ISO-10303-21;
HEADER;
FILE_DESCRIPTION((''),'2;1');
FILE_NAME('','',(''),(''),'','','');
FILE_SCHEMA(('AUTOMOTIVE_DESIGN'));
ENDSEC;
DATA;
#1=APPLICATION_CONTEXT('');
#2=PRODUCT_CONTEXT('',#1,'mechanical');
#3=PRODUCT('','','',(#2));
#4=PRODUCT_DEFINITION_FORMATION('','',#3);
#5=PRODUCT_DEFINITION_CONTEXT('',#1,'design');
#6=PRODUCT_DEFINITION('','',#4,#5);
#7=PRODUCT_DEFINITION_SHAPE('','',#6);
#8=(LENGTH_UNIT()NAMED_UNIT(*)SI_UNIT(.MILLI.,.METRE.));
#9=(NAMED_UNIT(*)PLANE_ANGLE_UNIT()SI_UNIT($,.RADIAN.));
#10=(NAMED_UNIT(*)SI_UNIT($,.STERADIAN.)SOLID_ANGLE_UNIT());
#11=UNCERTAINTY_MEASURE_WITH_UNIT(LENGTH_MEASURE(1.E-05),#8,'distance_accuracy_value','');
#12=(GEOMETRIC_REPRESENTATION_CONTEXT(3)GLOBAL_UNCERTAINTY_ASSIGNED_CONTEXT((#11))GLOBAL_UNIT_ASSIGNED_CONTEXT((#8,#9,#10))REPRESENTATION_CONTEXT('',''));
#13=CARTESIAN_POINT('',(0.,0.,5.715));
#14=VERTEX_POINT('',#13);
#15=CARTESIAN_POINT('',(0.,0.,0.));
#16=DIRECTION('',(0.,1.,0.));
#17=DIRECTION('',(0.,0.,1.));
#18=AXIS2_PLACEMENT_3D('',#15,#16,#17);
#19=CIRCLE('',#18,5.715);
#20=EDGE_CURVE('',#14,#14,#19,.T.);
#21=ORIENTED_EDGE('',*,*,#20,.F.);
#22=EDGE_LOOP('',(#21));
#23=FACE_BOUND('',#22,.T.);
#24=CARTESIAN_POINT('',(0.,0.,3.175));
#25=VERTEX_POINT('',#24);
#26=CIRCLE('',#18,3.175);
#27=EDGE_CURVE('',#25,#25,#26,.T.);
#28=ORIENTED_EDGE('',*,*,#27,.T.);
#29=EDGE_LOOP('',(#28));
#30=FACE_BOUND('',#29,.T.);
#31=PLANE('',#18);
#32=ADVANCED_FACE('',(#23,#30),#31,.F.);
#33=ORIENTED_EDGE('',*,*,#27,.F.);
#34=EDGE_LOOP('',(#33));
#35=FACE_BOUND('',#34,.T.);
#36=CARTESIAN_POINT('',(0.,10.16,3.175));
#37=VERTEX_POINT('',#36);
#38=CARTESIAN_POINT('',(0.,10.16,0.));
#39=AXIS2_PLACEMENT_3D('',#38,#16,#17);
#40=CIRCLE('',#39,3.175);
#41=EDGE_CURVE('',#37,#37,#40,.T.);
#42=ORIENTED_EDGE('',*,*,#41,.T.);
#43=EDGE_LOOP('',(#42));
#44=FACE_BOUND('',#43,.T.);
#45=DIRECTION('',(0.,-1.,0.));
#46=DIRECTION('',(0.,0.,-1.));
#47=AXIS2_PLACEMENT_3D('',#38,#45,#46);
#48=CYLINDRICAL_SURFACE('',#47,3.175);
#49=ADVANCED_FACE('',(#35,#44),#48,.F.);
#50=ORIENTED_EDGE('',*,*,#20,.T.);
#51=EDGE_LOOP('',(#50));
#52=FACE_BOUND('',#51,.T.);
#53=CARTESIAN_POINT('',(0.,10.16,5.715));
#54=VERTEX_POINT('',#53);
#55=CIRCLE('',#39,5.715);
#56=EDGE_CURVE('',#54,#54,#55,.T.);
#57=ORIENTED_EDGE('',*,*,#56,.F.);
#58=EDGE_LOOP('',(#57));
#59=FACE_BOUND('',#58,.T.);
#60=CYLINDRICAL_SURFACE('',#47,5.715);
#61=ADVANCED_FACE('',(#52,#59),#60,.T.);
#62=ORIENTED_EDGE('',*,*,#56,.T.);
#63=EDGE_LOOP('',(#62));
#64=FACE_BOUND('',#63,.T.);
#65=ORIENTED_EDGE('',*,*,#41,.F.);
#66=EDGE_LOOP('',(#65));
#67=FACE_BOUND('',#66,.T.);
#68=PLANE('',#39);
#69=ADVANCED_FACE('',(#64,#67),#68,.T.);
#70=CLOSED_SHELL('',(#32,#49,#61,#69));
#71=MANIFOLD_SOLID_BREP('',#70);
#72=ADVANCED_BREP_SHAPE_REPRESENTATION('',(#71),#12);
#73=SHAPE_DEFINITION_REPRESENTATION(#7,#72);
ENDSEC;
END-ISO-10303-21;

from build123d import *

# Parameters (mm, degrees)
SKETCH1_R           = 5.715
SKETCH1_R_2         = 3.175
BOSS_EXTRUDE1_DEPTH = 10.16


with BuildPart() as part:
    # Sketch1 → Boss-Extrude1 (new body)
    with BuildSketch(Plane(origin=(0, 0, 0), x_dir=(1, 0, 0), z_dir=(0, 1, 0))):
        Circle(SKETCH1_R)
        Circle(SKETCH1_R_2, mode=Mode.SUBTRACT)
    extrude(amount=BOSS_EXTRUDE1_DEPTH)


solid = part.part
